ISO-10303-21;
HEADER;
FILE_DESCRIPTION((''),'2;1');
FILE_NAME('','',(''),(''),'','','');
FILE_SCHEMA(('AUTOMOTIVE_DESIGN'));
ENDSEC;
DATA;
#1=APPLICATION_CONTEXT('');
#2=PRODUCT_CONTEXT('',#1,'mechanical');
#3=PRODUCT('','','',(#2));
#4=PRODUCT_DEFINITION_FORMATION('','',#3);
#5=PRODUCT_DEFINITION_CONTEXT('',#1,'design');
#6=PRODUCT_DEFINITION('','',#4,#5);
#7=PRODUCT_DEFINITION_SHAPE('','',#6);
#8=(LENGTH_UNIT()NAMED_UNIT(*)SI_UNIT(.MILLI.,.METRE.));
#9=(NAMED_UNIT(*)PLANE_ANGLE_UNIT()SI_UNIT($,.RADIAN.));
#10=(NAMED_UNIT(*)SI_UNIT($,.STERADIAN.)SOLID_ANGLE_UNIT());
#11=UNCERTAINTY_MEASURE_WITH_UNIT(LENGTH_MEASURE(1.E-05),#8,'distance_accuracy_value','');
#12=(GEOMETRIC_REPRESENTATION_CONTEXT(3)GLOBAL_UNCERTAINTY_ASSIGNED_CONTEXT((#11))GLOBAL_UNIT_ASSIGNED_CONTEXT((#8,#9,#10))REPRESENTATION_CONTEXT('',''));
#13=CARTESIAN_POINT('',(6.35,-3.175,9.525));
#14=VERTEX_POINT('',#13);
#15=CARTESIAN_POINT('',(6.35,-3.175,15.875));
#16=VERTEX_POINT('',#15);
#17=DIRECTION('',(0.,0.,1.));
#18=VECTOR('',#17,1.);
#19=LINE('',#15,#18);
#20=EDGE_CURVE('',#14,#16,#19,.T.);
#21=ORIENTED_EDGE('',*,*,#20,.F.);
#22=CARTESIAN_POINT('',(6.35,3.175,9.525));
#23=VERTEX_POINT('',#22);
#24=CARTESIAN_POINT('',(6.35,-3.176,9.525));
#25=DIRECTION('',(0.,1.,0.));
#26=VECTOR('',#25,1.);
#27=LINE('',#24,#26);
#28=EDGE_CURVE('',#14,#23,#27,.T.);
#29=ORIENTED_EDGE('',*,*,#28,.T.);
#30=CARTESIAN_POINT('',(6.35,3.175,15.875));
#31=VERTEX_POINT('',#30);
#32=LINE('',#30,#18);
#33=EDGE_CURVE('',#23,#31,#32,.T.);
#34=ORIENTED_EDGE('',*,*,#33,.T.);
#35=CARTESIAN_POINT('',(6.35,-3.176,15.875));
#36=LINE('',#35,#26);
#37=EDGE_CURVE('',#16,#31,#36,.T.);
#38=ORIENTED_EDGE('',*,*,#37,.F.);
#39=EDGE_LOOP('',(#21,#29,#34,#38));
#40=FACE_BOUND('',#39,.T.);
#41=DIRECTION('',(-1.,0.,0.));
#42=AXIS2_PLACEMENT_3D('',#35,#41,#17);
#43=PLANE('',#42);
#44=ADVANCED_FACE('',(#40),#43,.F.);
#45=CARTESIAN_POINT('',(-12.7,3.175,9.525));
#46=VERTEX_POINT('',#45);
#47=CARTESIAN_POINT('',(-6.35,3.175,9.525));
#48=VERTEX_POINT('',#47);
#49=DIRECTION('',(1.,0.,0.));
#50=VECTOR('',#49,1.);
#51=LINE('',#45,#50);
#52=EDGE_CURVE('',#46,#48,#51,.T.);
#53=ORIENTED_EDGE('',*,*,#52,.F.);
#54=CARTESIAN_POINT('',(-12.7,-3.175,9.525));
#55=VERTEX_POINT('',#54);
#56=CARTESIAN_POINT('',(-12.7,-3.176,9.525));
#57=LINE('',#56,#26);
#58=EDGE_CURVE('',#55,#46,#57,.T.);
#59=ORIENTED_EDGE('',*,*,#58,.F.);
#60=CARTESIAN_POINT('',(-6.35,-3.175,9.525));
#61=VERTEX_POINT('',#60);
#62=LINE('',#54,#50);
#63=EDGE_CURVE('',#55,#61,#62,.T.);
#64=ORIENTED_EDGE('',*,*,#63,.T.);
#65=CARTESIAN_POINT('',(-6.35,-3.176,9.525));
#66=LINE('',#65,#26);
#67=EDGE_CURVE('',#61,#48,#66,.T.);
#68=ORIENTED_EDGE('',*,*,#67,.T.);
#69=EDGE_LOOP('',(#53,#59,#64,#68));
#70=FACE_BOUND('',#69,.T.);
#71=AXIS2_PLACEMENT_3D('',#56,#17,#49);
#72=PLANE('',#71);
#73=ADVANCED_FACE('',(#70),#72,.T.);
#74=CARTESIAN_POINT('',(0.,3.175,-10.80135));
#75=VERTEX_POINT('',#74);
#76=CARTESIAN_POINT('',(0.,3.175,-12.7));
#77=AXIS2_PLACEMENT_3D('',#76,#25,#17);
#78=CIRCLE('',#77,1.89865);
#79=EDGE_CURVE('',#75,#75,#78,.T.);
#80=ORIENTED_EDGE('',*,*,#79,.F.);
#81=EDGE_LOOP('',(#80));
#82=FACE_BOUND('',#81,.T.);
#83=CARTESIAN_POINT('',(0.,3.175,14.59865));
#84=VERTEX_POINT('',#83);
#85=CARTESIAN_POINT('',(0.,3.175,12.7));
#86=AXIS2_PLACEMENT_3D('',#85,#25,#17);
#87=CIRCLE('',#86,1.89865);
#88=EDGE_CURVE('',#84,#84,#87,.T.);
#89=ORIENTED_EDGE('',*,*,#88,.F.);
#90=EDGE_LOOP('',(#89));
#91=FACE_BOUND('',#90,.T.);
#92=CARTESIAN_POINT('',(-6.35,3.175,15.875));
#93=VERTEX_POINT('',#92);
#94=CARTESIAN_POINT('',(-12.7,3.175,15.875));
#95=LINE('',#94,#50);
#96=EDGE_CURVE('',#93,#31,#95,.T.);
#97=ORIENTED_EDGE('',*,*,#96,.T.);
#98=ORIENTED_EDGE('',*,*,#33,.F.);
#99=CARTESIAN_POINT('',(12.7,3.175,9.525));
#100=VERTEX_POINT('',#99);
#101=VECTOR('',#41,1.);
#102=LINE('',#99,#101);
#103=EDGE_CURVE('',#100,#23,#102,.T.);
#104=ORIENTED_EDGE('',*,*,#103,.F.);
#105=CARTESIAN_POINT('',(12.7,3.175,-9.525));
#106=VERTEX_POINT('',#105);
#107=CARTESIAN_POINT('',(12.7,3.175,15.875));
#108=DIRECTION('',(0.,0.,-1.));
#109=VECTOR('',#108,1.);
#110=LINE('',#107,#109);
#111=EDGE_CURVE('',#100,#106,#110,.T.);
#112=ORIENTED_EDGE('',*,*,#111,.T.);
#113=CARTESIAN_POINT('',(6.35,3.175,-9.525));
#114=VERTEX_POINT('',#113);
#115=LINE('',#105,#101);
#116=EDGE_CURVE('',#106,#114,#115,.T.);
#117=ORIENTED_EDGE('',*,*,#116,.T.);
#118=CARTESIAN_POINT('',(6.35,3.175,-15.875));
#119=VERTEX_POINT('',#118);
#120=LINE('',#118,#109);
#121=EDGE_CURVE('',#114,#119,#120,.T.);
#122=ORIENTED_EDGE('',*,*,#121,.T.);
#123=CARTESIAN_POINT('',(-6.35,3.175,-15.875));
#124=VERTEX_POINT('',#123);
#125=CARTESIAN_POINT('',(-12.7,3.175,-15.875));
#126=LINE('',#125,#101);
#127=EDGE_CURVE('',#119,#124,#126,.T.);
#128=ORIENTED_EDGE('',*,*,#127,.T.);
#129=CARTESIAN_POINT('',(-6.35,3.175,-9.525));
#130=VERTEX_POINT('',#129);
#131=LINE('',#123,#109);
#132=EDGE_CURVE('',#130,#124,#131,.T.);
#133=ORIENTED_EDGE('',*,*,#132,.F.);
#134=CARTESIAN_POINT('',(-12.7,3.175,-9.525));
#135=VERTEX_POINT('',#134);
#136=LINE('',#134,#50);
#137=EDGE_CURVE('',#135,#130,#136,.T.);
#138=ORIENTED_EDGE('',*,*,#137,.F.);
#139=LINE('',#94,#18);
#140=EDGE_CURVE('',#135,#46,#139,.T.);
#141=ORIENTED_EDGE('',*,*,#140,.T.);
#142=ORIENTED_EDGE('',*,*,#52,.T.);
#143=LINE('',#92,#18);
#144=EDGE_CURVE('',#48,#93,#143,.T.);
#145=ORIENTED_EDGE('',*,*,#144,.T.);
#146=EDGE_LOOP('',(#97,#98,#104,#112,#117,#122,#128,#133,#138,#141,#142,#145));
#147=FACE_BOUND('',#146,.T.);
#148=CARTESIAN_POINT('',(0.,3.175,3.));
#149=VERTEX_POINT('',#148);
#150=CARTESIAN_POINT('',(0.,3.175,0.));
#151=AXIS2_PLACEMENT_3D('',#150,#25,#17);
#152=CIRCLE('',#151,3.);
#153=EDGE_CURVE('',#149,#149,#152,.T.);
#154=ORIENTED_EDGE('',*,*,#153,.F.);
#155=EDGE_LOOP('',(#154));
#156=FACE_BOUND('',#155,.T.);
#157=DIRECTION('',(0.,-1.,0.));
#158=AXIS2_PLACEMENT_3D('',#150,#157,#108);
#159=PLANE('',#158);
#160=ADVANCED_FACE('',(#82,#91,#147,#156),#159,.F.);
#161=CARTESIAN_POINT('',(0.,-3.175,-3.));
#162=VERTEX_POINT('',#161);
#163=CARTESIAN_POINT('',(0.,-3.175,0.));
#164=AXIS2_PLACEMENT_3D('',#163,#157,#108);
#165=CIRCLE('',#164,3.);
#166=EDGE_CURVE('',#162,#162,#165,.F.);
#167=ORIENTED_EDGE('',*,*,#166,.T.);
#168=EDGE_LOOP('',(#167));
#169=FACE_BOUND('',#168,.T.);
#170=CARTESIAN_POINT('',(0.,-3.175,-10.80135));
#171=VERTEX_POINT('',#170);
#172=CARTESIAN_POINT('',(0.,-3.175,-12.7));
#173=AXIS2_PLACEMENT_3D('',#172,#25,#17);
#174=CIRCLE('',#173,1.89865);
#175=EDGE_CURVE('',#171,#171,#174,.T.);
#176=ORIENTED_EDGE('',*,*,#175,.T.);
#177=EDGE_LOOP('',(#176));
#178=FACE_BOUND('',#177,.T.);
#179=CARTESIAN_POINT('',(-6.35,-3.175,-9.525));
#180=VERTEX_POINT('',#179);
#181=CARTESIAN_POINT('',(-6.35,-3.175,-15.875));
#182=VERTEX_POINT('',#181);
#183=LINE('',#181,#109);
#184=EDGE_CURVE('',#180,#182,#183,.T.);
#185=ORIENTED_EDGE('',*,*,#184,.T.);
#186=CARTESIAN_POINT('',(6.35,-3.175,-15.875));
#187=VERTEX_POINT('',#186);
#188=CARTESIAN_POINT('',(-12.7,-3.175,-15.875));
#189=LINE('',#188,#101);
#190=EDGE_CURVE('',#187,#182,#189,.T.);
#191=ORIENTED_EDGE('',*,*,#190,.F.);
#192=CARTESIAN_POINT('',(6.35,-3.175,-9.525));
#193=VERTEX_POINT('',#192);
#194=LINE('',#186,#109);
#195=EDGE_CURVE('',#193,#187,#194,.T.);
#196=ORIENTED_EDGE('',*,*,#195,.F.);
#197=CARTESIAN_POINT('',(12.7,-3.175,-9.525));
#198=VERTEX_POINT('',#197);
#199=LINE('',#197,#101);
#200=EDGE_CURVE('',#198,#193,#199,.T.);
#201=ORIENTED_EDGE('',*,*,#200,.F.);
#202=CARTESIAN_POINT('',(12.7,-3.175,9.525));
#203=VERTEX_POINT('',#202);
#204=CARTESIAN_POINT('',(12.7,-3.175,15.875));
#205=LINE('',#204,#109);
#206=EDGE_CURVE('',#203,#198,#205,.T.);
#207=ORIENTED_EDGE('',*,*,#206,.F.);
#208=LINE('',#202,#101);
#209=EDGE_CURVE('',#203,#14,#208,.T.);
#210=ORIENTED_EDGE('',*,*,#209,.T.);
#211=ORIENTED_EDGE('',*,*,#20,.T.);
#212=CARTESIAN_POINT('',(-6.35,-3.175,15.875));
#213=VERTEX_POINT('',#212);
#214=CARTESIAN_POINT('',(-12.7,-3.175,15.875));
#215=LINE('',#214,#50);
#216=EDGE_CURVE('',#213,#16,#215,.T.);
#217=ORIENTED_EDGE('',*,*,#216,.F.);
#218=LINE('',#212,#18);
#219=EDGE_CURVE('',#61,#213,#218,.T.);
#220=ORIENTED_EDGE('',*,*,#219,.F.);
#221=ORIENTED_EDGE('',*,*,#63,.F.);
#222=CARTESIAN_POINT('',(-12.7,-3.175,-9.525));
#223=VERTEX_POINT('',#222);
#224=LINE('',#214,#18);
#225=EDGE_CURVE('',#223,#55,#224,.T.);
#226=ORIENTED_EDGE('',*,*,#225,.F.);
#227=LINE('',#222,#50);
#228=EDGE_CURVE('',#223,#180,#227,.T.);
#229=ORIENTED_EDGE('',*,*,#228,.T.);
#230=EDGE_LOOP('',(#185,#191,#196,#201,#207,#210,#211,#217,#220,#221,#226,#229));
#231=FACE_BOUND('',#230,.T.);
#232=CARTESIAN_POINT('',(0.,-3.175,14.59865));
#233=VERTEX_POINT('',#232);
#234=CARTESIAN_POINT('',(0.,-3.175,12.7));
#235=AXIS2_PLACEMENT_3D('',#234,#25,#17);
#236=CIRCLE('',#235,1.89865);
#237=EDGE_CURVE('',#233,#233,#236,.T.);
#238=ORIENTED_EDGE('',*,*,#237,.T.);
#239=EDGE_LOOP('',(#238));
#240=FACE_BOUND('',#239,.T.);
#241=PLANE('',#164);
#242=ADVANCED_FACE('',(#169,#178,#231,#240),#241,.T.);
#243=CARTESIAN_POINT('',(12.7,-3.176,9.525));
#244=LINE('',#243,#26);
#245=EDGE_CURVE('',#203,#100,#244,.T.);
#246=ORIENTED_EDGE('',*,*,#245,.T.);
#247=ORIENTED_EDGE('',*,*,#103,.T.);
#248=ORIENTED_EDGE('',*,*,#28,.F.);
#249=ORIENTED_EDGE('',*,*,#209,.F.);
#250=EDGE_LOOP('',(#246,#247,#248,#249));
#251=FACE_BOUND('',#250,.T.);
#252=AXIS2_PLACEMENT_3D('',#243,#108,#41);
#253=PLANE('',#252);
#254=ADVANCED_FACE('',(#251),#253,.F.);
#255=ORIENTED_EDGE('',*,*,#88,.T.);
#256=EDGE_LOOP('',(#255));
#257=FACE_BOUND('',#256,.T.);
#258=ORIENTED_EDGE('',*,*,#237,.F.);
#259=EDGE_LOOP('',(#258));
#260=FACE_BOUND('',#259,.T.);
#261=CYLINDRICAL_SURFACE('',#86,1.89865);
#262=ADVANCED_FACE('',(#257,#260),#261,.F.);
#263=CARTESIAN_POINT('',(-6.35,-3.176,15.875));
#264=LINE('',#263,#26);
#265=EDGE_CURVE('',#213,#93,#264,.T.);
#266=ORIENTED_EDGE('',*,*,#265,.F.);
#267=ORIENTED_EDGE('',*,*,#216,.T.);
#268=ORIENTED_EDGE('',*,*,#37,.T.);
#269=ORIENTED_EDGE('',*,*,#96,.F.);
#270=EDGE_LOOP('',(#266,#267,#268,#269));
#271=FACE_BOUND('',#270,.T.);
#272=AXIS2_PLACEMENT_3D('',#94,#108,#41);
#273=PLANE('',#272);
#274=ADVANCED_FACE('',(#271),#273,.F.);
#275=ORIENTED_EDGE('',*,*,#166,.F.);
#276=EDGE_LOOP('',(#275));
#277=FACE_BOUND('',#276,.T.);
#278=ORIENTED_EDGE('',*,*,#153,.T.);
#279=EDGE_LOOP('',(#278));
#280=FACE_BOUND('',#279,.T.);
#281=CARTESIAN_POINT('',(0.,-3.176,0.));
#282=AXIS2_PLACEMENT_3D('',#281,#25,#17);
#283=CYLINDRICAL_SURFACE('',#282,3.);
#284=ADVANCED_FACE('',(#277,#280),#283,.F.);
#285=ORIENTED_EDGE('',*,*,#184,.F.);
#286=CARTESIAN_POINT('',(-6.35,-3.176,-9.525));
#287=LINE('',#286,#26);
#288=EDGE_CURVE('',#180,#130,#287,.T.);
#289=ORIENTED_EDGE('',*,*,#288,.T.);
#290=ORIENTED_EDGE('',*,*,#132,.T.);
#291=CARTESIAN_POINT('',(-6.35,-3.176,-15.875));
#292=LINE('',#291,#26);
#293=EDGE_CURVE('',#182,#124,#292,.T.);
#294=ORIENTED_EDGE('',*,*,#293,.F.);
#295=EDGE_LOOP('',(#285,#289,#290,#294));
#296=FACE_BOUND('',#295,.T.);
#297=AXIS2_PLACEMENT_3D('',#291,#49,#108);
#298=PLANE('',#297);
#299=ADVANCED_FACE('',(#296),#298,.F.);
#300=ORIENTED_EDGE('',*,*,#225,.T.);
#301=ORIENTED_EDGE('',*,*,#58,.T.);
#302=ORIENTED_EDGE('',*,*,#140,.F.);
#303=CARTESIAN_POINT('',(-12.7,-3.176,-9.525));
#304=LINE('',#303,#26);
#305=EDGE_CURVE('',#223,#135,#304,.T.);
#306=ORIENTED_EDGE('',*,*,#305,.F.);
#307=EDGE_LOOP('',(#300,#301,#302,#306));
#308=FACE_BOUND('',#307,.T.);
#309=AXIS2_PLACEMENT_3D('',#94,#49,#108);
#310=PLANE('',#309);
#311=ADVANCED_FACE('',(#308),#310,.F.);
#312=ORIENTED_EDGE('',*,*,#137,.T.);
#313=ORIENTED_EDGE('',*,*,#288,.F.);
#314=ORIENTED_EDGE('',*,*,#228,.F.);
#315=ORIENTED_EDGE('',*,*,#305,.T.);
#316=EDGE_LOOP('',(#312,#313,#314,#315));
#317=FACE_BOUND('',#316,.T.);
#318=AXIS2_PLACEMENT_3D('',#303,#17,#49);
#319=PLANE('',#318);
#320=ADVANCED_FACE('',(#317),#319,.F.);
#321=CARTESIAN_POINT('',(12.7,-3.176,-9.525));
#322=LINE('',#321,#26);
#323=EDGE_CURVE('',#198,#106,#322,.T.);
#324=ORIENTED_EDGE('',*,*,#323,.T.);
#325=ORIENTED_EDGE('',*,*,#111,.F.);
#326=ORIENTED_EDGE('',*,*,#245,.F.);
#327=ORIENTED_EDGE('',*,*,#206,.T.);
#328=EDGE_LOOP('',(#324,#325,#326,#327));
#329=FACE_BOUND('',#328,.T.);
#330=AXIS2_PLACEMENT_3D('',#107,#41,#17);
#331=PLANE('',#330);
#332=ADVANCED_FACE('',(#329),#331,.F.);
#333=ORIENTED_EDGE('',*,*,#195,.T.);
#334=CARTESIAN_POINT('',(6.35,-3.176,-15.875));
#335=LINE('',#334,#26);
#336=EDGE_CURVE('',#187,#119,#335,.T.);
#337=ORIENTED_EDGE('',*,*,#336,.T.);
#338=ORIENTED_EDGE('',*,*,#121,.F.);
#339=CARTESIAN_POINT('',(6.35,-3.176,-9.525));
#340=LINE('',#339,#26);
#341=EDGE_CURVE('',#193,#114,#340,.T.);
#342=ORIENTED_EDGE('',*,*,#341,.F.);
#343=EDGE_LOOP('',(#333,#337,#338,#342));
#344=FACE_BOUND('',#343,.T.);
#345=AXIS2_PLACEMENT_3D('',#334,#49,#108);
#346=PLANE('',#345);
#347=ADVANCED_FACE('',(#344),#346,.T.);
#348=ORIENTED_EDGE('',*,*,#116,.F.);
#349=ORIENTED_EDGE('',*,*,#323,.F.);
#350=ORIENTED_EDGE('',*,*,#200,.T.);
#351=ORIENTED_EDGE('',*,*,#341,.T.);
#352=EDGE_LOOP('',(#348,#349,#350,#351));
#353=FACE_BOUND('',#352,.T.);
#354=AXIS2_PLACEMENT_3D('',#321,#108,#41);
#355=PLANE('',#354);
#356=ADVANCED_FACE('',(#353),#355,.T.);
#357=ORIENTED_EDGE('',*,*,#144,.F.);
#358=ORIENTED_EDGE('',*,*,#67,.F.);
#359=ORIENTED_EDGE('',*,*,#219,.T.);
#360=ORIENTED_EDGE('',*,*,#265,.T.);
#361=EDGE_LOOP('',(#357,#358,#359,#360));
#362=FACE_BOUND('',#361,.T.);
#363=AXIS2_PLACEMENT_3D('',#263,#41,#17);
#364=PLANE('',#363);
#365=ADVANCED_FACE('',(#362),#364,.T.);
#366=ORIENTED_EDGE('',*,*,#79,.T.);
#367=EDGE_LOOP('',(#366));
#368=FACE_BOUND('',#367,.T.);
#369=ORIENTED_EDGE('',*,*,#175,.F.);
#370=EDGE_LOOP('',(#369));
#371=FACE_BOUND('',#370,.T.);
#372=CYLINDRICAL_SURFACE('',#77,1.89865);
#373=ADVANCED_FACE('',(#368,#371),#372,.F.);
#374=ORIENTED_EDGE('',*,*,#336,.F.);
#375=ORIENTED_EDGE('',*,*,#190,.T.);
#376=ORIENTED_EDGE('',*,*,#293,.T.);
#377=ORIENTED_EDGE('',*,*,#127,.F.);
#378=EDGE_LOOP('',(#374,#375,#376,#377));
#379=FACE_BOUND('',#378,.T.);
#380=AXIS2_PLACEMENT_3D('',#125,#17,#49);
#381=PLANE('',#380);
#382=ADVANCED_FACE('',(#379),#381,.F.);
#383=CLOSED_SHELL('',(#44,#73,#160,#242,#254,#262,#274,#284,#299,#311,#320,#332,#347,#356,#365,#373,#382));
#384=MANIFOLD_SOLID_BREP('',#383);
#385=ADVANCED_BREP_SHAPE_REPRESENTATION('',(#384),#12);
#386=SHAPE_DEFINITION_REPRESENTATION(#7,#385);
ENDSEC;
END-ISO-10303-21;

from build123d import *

# Parameters (mm, degrees)
SKETCH1_W               = 25.4
SKETCH1_H               = 31.75
BOSS_EXTRUDE1_DEPTH     = 3.175
CUT_EXTRUDE1_REACH      = 23.299
SKETCH2_W               = 6.35
SKETCH2_H               = 6.35
MIRROR2_COPY_1_REACH    = 23.299
MIRROR2_COPY_1_SKETCH_W = 6.35
MIRROR2_COPY_1_SKETCH_H = 6.35
CUT_EXTRUDE2_REACH      = 23.299
SKETCH5_R               = 3


with BuildPart() as part:
    # Sketch1 → Boss-Extrude1 (new, symmetric)
    with BuildSketch(Plane(origin=(0, 0, 0), x_dir=(1, 0, 0), z_dir=(0, 1, 0))):
        Rectangle(SKETCH1_W, SKETCH1_H)
    extrude(amount=BOSS_EXTRUDE1_DEPTH, both=True)

    # Sketch2 → Cut-Extrude1 (cut, up to next)
    with BuildSketch(Plane(origin=(0, 3.175, 0), x_dir=(1, 0, 0), z_dir=(0, 1, 0)), mode=Mode.PRIVATE) as cut_extrude1_sk1:
        with Locations((-9.525, 12.7)):
            Rectangle(SKETCH2_W, SKETCH2_H)
    cut_extrude1_tool1 = extrude(cut_extrude1_sk1.sketch, amount=-CUT_EXTRUDE1_REACH, mode=Mode.PRIVATE) & part.part
    cut_extrude1 = cut_extrude1_tool1.solids().sort_by_distance((-9.525, 3.175, -12.7))[0]
    add(cut_extrude1, mode=Mode.SUBTRACT)

    # Mirror1: Cut-Extrude1 across plane
    add(cut_extrude1.mirror(Plane.XY), mode=Mode.SUBTRACT)

    # Mirror2: Cut-Extrude1 across plane
    add(cut_extrude1.mirror(Plane(origin=(0, 0, 0), x_dir=(0, 0, 1), z_dir=(1, 0, 0))), mode=Mode.SUBTRACT)

    # Mirror2 copy 1 sketch → Mirror2 copy 1 (cut, up to next)
    with BuildSketch(Plane(origin=(0, 3.175, 0), x_dir=(-1, 0, 0), z_dir=(0, 1, 0)), mode=Mode.PRIVATE) as mirror2_copy_1_sk1:
        with Locations((-9.525, 12.7)):
            Rectangle(MIRROR2_COPY_1_SKETCH_W, MIRROR2_COPY_1_SKETCH_H)
    mirror2_copy_1_tool1 = extrude(mirror2_copy_1_sk1.sketch, amount=-MIRROR2_COPY_1_REACH, mode=Mode.PRIVATE) & part.part
    add(mirror2_copy_1_tool1.solids().sort_by_distance((9.525, 3.175, 12.7))[0], mode=Mode.SUBTRACT)

    # Sketch3 → #6 Clearance Hole1 (revolve, cut)
    with BuildSketch(Plane(origin=(0, 3.175, -12.7), x_dir=(0, 0, 1), z_dir=(1, 0, 0))):
        Polygon((0, 0), (0, 7.490824014), (1.89865, 6.35), (1.89865, 0), align=None)
    f_6_clearance_hole1 = revolve(axis=Axis((0, 9.525, -12.7), (0, -1, 0)), mode=Mode.SUBTRACT)

    # Mirror3: #6 Clearance Hole1 across plane
    add(f_6_clearance_hole1.mirror(Plane.XY), mode=Mode.SUBTRACT)

    # Sketch5 → Cut-Extrude2 (cut, up to next)
    with BuildSketch(Plane(origin=(0, 3.175, 0), x_dir=(1, 0, 0), z_dir=(0, 1, 0)), mode=Mode.PRIVATE) as cut_extrude2_sk1:
        with Locations(Location((0, 0, 0), (0, 0, 270))):
            Circle(SKETCH5_R)
    cut_extrude2_tool1 = extrude(cut_extrude2_sk1.sketch, amount=-CUT_EXTRUDE2_REACH, mode=Mode.PRIVATE) & part.part
    add(cut_extrude2_tool1.solids().sort_by_distance((0, 3.175, 0))[0], mode=Mode.SUBTRACT)


solid = part.part
